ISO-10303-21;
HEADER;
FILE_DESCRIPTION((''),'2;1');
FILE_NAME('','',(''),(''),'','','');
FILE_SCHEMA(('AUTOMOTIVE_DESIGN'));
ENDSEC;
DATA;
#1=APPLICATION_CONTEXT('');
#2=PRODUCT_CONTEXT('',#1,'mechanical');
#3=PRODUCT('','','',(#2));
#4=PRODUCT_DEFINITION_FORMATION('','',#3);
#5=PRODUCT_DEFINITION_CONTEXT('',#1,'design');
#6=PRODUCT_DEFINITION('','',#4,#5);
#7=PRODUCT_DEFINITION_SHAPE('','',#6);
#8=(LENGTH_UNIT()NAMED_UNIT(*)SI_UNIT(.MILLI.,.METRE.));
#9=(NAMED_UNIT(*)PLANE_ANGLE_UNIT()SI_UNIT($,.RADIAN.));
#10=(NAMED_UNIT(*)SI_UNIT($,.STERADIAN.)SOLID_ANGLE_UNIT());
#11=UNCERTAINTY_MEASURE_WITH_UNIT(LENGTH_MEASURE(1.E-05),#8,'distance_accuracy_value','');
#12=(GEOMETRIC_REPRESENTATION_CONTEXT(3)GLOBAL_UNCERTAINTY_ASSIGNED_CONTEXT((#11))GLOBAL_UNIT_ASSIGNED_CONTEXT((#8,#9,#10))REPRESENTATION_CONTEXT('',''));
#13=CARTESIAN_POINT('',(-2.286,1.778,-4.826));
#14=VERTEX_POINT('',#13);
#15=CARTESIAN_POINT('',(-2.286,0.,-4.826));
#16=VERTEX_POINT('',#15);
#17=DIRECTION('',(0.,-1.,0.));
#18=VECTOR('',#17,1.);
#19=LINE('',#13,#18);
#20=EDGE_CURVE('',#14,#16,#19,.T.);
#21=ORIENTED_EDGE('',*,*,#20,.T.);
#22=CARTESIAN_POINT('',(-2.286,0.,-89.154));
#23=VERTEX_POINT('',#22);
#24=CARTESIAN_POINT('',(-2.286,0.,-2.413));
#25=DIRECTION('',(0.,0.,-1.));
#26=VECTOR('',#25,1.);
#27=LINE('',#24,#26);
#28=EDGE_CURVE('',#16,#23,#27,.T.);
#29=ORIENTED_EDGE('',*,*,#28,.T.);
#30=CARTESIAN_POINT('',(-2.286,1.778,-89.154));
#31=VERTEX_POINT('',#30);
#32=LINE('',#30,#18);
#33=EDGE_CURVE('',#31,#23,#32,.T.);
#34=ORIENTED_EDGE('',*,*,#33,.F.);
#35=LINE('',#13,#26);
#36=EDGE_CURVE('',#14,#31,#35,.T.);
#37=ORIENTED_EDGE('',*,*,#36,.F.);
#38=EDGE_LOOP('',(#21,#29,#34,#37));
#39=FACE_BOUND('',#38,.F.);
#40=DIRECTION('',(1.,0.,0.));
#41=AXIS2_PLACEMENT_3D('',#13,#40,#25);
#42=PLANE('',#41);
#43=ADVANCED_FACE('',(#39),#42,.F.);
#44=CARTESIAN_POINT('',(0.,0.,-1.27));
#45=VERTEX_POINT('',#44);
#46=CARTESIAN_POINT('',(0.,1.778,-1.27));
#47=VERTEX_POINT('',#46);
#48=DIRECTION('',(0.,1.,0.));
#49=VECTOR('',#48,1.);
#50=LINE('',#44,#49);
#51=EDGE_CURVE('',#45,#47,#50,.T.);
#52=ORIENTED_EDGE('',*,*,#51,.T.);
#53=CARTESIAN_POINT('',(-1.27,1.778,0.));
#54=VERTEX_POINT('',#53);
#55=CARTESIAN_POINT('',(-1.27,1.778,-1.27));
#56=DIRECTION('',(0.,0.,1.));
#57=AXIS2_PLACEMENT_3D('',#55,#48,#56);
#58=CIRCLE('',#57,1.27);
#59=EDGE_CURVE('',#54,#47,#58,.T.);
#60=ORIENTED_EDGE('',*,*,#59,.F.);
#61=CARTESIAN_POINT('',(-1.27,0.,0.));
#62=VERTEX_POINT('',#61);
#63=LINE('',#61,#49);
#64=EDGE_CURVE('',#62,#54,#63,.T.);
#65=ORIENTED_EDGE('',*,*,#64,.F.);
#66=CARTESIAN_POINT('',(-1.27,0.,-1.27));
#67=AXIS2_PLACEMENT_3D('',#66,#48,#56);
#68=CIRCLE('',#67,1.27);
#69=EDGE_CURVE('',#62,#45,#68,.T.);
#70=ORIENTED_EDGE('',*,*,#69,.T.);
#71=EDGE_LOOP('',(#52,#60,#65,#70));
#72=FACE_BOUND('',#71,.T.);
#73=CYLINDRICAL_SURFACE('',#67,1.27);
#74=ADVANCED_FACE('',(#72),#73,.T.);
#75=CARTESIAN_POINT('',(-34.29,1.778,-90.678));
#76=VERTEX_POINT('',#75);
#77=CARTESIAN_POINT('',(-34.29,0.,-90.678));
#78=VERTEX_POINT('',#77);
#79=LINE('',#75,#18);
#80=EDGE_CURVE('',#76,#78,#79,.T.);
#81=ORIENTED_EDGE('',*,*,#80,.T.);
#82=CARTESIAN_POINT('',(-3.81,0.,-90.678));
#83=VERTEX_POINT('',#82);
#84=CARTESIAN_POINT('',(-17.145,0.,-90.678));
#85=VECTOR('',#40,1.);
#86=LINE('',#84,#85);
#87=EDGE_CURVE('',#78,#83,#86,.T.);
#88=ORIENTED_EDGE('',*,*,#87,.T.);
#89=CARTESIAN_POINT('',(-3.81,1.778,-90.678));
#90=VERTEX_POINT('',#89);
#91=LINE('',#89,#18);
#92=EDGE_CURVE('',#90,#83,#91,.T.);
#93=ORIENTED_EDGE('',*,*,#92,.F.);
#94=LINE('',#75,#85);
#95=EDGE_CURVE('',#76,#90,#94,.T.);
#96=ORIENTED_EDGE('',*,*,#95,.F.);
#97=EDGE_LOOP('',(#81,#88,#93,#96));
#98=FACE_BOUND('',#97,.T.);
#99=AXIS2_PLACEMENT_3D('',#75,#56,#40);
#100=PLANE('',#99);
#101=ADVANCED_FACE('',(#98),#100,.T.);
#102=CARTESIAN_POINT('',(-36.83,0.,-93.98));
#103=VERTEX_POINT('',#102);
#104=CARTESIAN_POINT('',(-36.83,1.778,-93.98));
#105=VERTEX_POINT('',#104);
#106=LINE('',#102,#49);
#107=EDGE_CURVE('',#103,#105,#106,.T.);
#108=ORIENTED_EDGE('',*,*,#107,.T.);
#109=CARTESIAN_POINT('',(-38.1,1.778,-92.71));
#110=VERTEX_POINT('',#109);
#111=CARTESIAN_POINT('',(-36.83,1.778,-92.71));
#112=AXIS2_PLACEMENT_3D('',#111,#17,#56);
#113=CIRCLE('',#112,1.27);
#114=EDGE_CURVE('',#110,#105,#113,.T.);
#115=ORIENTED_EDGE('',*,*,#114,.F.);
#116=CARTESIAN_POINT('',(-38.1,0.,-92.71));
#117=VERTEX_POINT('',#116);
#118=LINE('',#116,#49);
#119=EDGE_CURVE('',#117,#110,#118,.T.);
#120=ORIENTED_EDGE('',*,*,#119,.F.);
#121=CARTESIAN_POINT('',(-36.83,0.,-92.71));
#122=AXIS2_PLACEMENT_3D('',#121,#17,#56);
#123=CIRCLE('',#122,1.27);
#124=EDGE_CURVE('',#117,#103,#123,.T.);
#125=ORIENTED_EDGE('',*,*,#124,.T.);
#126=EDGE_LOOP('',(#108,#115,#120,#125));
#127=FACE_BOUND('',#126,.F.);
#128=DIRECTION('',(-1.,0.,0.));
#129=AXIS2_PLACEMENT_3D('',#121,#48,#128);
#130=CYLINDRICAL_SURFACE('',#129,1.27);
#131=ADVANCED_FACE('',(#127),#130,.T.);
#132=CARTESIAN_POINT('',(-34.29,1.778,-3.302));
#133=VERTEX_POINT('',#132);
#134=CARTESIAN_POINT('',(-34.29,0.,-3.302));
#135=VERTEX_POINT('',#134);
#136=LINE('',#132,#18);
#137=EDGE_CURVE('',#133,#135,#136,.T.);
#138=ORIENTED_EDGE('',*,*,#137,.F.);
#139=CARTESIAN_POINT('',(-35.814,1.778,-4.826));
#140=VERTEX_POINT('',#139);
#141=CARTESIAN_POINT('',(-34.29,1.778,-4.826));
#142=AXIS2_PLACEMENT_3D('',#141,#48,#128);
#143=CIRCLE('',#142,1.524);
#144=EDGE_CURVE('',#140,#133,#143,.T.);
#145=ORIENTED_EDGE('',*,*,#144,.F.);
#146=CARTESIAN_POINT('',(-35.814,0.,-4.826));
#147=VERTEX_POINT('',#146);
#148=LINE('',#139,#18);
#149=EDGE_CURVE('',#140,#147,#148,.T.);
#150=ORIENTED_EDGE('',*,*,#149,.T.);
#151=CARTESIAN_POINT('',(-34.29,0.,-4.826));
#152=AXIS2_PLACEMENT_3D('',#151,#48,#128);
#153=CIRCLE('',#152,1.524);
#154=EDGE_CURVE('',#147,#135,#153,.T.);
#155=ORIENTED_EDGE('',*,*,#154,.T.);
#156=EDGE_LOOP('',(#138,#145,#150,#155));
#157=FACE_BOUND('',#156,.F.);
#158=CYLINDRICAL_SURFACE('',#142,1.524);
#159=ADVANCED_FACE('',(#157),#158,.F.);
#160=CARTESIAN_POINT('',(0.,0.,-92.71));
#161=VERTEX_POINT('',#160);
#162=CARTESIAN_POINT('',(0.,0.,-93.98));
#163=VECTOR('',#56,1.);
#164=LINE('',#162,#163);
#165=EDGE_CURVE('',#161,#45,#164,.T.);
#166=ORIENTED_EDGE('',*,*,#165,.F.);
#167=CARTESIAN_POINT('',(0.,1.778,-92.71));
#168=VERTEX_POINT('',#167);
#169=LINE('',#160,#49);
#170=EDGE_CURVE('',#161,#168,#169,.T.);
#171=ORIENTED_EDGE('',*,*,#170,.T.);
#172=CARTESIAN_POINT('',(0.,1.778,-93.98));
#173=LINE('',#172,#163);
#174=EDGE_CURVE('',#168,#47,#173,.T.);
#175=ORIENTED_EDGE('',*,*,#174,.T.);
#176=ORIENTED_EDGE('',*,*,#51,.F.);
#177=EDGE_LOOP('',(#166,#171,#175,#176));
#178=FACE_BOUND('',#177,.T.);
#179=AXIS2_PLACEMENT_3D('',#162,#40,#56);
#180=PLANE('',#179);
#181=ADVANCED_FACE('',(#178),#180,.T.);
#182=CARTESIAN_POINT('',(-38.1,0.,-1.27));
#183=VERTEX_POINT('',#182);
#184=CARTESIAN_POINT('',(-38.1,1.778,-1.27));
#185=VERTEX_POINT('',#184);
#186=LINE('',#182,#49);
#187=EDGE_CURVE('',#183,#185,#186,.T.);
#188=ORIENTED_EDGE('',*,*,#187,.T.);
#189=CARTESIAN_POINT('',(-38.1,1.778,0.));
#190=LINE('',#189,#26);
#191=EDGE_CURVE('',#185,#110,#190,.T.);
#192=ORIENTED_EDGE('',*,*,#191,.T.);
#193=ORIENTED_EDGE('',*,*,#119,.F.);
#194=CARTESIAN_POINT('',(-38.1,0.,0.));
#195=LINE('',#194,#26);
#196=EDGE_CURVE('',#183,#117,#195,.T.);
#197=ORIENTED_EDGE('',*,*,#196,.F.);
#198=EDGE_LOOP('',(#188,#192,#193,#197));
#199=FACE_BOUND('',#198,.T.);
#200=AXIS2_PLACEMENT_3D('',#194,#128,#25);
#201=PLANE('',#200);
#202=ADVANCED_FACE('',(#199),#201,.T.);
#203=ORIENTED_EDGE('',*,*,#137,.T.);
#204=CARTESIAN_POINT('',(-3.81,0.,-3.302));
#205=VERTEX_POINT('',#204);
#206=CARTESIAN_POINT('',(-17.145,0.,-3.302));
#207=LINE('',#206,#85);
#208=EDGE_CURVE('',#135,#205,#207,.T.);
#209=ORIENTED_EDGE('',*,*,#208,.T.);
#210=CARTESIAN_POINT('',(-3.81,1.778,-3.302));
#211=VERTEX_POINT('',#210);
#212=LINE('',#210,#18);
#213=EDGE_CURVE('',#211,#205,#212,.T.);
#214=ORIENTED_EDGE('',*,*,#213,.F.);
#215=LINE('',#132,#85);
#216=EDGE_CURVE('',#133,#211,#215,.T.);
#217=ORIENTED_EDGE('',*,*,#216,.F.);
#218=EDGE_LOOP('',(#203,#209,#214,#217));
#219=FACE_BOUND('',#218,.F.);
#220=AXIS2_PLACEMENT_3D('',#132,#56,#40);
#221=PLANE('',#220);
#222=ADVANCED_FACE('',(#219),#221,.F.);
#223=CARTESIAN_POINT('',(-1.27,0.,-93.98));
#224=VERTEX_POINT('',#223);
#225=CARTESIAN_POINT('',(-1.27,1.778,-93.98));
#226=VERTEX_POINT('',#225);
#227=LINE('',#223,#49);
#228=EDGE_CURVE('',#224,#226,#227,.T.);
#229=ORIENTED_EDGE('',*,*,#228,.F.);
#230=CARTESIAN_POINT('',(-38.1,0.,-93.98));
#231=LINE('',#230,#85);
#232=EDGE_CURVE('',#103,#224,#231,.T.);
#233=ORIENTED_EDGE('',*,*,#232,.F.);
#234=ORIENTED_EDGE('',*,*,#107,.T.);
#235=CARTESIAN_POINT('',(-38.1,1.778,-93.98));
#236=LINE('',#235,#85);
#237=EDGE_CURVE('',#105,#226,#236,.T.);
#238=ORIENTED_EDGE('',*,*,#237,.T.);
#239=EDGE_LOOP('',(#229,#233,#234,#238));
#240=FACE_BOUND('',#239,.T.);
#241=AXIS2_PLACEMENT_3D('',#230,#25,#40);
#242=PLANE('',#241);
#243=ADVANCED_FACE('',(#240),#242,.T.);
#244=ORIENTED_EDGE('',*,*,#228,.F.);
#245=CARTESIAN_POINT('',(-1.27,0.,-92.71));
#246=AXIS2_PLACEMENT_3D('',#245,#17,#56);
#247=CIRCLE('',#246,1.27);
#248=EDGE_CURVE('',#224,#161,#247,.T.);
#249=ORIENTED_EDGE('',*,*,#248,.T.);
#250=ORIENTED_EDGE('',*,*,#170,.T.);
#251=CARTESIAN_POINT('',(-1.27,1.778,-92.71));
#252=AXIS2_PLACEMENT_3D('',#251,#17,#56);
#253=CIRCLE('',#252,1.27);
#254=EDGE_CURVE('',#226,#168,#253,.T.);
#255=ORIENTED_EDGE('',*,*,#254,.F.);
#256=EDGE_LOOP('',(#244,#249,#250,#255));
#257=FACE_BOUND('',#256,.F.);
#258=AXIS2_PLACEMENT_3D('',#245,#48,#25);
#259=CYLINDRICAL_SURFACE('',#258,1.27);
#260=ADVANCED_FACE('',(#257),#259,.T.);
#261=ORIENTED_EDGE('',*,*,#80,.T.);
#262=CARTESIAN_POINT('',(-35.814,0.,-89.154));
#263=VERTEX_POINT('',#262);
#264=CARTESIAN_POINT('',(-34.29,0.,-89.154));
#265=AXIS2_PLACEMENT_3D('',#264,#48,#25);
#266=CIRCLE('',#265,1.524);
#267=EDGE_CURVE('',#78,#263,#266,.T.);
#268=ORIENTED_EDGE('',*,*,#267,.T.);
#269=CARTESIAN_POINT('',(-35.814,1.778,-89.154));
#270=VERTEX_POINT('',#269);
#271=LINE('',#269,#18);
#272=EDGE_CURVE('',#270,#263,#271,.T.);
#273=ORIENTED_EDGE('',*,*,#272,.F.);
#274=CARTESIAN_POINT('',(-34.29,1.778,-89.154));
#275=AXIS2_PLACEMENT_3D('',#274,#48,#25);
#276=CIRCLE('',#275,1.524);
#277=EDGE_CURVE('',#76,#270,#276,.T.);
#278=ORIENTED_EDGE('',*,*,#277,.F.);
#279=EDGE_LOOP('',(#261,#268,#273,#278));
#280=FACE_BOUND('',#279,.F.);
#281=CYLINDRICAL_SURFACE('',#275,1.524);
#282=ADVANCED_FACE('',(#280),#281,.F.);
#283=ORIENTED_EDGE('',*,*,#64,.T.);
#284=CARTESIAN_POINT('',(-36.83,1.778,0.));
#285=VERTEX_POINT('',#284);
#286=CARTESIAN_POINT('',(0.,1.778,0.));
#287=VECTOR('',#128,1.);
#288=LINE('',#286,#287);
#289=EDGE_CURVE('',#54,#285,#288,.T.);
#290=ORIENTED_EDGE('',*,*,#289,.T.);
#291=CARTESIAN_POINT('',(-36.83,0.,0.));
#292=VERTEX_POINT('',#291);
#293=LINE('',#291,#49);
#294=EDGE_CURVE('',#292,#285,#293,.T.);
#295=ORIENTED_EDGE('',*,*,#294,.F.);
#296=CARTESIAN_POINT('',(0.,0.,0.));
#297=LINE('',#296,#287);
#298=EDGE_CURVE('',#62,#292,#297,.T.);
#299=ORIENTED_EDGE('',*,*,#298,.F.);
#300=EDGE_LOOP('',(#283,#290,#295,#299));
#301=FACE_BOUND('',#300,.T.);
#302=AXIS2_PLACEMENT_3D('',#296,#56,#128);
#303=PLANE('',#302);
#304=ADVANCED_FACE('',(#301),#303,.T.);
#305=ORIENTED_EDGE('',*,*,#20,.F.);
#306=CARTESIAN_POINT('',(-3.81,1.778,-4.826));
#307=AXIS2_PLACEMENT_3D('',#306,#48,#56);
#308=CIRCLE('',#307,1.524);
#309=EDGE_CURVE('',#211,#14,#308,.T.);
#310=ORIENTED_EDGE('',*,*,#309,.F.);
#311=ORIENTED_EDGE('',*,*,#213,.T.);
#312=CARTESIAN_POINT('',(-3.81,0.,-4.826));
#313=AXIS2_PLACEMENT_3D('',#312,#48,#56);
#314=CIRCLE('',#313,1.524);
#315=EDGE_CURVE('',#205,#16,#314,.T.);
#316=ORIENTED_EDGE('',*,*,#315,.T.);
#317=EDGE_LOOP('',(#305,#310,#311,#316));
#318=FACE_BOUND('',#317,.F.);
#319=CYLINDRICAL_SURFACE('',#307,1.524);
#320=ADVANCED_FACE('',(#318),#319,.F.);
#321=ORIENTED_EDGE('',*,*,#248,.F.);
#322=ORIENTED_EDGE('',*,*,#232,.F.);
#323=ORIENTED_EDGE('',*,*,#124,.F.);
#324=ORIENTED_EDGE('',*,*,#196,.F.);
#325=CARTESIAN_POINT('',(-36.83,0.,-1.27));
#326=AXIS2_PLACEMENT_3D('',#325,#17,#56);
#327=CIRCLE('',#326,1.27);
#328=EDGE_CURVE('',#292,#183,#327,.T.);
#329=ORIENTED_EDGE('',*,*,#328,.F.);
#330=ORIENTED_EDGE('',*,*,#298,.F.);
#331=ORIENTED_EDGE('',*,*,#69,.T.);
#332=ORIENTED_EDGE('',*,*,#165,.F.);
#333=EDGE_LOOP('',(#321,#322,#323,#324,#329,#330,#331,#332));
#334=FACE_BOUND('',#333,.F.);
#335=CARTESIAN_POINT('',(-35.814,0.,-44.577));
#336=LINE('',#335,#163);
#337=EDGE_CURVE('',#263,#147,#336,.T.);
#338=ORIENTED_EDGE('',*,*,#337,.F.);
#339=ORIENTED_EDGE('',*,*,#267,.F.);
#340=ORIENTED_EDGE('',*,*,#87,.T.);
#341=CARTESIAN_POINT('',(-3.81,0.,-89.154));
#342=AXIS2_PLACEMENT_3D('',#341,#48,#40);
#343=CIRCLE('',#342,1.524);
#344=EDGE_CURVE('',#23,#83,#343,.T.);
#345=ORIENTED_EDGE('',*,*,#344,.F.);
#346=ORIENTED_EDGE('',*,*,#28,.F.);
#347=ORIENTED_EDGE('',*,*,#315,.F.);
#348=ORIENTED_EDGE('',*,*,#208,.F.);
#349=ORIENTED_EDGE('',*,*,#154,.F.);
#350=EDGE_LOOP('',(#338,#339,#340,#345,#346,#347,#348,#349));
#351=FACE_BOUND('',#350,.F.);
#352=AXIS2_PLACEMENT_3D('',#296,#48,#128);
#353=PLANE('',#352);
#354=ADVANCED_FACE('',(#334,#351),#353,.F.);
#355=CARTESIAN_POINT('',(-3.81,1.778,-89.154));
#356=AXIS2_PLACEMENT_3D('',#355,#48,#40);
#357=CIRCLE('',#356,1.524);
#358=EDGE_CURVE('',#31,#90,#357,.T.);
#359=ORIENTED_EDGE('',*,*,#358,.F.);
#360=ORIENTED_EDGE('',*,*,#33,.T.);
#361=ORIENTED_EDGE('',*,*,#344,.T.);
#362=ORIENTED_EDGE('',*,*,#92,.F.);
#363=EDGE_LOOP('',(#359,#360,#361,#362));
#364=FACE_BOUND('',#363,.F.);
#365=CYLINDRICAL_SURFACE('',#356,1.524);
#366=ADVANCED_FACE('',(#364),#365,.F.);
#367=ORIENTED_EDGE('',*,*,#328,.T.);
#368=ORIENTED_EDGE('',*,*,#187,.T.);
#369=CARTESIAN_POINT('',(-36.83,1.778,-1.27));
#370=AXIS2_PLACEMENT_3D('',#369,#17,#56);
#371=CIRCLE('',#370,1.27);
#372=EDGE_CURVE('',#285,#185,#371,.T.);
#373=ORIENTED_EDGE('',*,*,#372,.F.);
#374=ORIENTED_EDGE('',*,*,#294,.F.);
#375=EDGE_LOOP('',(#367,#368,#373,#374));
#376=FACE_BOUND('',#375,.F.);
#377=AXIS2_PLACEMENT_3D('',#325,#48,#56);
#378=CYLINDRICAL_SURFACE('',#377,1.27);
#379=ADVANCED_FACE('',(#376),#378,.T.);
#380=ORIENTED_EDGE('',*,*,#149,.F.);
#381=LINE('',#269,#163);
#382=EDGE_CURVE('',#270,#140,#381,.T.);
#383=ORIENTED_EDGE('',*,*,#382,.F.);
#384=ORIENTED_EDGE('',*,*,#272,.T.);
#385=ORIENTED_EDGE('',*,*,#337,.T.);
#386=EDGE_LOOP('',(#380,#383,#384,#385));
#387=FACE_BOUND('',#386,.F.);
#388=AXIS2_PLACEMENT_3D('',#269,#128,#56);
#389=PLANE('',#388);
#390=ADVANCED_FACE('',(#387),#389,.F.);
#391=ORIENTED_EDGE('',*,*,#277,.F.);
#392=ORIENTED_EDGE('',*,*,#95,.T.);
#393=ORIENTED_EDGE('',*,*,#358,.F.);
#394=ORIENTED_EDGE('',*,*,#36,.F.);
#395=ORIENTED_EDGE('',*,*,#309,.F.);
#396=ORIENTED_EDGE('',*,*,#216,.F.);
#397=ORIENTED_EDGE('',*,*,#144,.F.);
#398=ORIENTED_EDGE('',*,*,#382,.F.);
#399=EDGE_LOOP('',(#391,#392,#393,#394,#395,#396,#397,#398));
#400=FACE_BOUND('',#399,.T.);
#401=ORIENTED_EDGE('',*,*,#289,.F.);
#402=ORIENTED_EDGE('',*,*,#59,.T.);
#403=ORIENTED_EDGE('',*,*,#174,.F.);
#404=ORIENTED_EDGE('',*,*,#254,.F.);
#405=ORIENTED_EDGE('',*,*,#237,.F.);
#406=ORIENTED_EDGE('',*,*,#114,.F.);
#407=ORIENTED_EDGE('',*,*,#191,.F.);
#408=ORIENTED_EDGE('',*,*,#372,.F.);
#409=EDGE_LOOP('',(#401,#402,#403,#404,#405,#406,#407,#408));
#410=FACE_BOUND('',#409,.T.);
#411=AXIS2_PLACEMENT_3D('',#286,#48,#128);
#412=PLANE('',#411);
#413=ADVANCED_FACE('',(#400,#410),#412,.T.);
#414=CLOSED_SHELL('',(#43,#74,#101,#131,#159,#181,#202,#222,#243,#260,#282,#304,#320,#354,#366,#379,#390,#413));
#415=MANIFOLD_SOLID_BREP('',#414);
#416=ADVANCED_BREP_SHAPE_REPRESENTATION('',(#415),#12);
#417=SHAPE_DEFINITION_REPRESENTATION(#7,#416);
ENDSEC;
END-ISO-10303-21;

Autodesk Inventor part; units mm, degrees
ref_plane "YZ Plane" through (0, 0, 0) normal (1, 0, 0) x (0, 1, 0)
ref_plane "XZ Plane" through (0, 0, 0) normal (0, 1, 0) x (-1, 0, 0)
ref_plane "XY Plane" through (0, 0, 0) normal (0, 0, 1) x (1, 0, 0)
sketch "Sketch1" plane through (0, 0, 0) normal (0, 1, 0) x (-1, 0, 0)
  line L0 (0, 0) -> (38.1, 0)
  line L1 (38.1, 0) -> (38.1, -93.98)
  line L2 (38.1, -93.98) -> (0, -93.98)
  line L3 (0, -93.98) -> (0, 0)
  dimension "d0" = 38.1
  dimension "d1" = 93.98
extrude "Extrusion1" add sketch "Sketch1" along normal blind 1.778
fillet "Fillet1" radius 1.27 4 edges at (0, 0.889, 0) (0, 0.889, -93.98) (-38.1, 0.889, -93.98) (-38.1, 0.889, 0)
sketch "Sketch3" plane through (0, 1.778, 0) normal (0, 1, 0) x (1, 0, 0)
  arc A0 (-38.1, 1.27) -> (-36.83, 0) centre (-36.83, 1.27) ccw projected
  line L0 (-36.83, 0) -> (-1.27, 0) projected
  arc A1 (-1.27, 0) -> (0, 1.27) centre (-1.27, 1.27) ccw projected
  line L1 (0, 1.27) -> (0, 92.71) projected
  arc A2 (0, 92.71) -> (-1.27, 93.98) centre (-1.27, 92.71) ccw projected
  line L2 (-1.27, 93.98) -> (-36.83, 93.98) projected
  arc A3 (-36.83, 93.98) -> (-38.1, 92.71) centre (-36.83, 92.71) ccw projected
  line L3 (-38.1, 92.71) -> (-38.1, 1.27) projected
  line L4 (-35.814, 2.286) -> (-2.286, 2.286)
  line L5 (-2.286, 4.826) -> (-2.286, 89.154)
  line L6 (-2.286, 91.694) -> (-35.814, 91.694)
  line L7 (-35.814, 89.154) -> (-35.814, 4.826)
  line L8 (-34.29, 3.302) -> (-3.81, 3.302)
  line L9 (-34.29, 90.678) -> (-3.81, 90.678)
  arc A4 (-35.814, 4.826) -> (-34.29, 3.302) centre (-34.29, 4.826) ccw
  arc A5 (-3.81, 3.302) -> (-2.286, 4.826) centre (-3.81, 4.826) ccw
  arc A6 (-2.286, 89.154) -> (-3.81, 90.678) centre (-3.81, 89.154) ccw
  arc A7 (-34.29, 90.678) -> (-35.814, 89.154) centre (-34.29, 89.154) ccw
  point P0 (0, 0)
  dimension "d9" = 2.286
  dimension "d10" = 1.016
  dimension "d11" = 1.016
  dimension "d12" = 1.524
extrude "Extrusion3" cut sketch "Sketch3" against normal through all contours A5 L8 A4 L7 A7 L9 A6 L5
properties part number "TopCoverContactSpacer" material "ABS Plastic"
